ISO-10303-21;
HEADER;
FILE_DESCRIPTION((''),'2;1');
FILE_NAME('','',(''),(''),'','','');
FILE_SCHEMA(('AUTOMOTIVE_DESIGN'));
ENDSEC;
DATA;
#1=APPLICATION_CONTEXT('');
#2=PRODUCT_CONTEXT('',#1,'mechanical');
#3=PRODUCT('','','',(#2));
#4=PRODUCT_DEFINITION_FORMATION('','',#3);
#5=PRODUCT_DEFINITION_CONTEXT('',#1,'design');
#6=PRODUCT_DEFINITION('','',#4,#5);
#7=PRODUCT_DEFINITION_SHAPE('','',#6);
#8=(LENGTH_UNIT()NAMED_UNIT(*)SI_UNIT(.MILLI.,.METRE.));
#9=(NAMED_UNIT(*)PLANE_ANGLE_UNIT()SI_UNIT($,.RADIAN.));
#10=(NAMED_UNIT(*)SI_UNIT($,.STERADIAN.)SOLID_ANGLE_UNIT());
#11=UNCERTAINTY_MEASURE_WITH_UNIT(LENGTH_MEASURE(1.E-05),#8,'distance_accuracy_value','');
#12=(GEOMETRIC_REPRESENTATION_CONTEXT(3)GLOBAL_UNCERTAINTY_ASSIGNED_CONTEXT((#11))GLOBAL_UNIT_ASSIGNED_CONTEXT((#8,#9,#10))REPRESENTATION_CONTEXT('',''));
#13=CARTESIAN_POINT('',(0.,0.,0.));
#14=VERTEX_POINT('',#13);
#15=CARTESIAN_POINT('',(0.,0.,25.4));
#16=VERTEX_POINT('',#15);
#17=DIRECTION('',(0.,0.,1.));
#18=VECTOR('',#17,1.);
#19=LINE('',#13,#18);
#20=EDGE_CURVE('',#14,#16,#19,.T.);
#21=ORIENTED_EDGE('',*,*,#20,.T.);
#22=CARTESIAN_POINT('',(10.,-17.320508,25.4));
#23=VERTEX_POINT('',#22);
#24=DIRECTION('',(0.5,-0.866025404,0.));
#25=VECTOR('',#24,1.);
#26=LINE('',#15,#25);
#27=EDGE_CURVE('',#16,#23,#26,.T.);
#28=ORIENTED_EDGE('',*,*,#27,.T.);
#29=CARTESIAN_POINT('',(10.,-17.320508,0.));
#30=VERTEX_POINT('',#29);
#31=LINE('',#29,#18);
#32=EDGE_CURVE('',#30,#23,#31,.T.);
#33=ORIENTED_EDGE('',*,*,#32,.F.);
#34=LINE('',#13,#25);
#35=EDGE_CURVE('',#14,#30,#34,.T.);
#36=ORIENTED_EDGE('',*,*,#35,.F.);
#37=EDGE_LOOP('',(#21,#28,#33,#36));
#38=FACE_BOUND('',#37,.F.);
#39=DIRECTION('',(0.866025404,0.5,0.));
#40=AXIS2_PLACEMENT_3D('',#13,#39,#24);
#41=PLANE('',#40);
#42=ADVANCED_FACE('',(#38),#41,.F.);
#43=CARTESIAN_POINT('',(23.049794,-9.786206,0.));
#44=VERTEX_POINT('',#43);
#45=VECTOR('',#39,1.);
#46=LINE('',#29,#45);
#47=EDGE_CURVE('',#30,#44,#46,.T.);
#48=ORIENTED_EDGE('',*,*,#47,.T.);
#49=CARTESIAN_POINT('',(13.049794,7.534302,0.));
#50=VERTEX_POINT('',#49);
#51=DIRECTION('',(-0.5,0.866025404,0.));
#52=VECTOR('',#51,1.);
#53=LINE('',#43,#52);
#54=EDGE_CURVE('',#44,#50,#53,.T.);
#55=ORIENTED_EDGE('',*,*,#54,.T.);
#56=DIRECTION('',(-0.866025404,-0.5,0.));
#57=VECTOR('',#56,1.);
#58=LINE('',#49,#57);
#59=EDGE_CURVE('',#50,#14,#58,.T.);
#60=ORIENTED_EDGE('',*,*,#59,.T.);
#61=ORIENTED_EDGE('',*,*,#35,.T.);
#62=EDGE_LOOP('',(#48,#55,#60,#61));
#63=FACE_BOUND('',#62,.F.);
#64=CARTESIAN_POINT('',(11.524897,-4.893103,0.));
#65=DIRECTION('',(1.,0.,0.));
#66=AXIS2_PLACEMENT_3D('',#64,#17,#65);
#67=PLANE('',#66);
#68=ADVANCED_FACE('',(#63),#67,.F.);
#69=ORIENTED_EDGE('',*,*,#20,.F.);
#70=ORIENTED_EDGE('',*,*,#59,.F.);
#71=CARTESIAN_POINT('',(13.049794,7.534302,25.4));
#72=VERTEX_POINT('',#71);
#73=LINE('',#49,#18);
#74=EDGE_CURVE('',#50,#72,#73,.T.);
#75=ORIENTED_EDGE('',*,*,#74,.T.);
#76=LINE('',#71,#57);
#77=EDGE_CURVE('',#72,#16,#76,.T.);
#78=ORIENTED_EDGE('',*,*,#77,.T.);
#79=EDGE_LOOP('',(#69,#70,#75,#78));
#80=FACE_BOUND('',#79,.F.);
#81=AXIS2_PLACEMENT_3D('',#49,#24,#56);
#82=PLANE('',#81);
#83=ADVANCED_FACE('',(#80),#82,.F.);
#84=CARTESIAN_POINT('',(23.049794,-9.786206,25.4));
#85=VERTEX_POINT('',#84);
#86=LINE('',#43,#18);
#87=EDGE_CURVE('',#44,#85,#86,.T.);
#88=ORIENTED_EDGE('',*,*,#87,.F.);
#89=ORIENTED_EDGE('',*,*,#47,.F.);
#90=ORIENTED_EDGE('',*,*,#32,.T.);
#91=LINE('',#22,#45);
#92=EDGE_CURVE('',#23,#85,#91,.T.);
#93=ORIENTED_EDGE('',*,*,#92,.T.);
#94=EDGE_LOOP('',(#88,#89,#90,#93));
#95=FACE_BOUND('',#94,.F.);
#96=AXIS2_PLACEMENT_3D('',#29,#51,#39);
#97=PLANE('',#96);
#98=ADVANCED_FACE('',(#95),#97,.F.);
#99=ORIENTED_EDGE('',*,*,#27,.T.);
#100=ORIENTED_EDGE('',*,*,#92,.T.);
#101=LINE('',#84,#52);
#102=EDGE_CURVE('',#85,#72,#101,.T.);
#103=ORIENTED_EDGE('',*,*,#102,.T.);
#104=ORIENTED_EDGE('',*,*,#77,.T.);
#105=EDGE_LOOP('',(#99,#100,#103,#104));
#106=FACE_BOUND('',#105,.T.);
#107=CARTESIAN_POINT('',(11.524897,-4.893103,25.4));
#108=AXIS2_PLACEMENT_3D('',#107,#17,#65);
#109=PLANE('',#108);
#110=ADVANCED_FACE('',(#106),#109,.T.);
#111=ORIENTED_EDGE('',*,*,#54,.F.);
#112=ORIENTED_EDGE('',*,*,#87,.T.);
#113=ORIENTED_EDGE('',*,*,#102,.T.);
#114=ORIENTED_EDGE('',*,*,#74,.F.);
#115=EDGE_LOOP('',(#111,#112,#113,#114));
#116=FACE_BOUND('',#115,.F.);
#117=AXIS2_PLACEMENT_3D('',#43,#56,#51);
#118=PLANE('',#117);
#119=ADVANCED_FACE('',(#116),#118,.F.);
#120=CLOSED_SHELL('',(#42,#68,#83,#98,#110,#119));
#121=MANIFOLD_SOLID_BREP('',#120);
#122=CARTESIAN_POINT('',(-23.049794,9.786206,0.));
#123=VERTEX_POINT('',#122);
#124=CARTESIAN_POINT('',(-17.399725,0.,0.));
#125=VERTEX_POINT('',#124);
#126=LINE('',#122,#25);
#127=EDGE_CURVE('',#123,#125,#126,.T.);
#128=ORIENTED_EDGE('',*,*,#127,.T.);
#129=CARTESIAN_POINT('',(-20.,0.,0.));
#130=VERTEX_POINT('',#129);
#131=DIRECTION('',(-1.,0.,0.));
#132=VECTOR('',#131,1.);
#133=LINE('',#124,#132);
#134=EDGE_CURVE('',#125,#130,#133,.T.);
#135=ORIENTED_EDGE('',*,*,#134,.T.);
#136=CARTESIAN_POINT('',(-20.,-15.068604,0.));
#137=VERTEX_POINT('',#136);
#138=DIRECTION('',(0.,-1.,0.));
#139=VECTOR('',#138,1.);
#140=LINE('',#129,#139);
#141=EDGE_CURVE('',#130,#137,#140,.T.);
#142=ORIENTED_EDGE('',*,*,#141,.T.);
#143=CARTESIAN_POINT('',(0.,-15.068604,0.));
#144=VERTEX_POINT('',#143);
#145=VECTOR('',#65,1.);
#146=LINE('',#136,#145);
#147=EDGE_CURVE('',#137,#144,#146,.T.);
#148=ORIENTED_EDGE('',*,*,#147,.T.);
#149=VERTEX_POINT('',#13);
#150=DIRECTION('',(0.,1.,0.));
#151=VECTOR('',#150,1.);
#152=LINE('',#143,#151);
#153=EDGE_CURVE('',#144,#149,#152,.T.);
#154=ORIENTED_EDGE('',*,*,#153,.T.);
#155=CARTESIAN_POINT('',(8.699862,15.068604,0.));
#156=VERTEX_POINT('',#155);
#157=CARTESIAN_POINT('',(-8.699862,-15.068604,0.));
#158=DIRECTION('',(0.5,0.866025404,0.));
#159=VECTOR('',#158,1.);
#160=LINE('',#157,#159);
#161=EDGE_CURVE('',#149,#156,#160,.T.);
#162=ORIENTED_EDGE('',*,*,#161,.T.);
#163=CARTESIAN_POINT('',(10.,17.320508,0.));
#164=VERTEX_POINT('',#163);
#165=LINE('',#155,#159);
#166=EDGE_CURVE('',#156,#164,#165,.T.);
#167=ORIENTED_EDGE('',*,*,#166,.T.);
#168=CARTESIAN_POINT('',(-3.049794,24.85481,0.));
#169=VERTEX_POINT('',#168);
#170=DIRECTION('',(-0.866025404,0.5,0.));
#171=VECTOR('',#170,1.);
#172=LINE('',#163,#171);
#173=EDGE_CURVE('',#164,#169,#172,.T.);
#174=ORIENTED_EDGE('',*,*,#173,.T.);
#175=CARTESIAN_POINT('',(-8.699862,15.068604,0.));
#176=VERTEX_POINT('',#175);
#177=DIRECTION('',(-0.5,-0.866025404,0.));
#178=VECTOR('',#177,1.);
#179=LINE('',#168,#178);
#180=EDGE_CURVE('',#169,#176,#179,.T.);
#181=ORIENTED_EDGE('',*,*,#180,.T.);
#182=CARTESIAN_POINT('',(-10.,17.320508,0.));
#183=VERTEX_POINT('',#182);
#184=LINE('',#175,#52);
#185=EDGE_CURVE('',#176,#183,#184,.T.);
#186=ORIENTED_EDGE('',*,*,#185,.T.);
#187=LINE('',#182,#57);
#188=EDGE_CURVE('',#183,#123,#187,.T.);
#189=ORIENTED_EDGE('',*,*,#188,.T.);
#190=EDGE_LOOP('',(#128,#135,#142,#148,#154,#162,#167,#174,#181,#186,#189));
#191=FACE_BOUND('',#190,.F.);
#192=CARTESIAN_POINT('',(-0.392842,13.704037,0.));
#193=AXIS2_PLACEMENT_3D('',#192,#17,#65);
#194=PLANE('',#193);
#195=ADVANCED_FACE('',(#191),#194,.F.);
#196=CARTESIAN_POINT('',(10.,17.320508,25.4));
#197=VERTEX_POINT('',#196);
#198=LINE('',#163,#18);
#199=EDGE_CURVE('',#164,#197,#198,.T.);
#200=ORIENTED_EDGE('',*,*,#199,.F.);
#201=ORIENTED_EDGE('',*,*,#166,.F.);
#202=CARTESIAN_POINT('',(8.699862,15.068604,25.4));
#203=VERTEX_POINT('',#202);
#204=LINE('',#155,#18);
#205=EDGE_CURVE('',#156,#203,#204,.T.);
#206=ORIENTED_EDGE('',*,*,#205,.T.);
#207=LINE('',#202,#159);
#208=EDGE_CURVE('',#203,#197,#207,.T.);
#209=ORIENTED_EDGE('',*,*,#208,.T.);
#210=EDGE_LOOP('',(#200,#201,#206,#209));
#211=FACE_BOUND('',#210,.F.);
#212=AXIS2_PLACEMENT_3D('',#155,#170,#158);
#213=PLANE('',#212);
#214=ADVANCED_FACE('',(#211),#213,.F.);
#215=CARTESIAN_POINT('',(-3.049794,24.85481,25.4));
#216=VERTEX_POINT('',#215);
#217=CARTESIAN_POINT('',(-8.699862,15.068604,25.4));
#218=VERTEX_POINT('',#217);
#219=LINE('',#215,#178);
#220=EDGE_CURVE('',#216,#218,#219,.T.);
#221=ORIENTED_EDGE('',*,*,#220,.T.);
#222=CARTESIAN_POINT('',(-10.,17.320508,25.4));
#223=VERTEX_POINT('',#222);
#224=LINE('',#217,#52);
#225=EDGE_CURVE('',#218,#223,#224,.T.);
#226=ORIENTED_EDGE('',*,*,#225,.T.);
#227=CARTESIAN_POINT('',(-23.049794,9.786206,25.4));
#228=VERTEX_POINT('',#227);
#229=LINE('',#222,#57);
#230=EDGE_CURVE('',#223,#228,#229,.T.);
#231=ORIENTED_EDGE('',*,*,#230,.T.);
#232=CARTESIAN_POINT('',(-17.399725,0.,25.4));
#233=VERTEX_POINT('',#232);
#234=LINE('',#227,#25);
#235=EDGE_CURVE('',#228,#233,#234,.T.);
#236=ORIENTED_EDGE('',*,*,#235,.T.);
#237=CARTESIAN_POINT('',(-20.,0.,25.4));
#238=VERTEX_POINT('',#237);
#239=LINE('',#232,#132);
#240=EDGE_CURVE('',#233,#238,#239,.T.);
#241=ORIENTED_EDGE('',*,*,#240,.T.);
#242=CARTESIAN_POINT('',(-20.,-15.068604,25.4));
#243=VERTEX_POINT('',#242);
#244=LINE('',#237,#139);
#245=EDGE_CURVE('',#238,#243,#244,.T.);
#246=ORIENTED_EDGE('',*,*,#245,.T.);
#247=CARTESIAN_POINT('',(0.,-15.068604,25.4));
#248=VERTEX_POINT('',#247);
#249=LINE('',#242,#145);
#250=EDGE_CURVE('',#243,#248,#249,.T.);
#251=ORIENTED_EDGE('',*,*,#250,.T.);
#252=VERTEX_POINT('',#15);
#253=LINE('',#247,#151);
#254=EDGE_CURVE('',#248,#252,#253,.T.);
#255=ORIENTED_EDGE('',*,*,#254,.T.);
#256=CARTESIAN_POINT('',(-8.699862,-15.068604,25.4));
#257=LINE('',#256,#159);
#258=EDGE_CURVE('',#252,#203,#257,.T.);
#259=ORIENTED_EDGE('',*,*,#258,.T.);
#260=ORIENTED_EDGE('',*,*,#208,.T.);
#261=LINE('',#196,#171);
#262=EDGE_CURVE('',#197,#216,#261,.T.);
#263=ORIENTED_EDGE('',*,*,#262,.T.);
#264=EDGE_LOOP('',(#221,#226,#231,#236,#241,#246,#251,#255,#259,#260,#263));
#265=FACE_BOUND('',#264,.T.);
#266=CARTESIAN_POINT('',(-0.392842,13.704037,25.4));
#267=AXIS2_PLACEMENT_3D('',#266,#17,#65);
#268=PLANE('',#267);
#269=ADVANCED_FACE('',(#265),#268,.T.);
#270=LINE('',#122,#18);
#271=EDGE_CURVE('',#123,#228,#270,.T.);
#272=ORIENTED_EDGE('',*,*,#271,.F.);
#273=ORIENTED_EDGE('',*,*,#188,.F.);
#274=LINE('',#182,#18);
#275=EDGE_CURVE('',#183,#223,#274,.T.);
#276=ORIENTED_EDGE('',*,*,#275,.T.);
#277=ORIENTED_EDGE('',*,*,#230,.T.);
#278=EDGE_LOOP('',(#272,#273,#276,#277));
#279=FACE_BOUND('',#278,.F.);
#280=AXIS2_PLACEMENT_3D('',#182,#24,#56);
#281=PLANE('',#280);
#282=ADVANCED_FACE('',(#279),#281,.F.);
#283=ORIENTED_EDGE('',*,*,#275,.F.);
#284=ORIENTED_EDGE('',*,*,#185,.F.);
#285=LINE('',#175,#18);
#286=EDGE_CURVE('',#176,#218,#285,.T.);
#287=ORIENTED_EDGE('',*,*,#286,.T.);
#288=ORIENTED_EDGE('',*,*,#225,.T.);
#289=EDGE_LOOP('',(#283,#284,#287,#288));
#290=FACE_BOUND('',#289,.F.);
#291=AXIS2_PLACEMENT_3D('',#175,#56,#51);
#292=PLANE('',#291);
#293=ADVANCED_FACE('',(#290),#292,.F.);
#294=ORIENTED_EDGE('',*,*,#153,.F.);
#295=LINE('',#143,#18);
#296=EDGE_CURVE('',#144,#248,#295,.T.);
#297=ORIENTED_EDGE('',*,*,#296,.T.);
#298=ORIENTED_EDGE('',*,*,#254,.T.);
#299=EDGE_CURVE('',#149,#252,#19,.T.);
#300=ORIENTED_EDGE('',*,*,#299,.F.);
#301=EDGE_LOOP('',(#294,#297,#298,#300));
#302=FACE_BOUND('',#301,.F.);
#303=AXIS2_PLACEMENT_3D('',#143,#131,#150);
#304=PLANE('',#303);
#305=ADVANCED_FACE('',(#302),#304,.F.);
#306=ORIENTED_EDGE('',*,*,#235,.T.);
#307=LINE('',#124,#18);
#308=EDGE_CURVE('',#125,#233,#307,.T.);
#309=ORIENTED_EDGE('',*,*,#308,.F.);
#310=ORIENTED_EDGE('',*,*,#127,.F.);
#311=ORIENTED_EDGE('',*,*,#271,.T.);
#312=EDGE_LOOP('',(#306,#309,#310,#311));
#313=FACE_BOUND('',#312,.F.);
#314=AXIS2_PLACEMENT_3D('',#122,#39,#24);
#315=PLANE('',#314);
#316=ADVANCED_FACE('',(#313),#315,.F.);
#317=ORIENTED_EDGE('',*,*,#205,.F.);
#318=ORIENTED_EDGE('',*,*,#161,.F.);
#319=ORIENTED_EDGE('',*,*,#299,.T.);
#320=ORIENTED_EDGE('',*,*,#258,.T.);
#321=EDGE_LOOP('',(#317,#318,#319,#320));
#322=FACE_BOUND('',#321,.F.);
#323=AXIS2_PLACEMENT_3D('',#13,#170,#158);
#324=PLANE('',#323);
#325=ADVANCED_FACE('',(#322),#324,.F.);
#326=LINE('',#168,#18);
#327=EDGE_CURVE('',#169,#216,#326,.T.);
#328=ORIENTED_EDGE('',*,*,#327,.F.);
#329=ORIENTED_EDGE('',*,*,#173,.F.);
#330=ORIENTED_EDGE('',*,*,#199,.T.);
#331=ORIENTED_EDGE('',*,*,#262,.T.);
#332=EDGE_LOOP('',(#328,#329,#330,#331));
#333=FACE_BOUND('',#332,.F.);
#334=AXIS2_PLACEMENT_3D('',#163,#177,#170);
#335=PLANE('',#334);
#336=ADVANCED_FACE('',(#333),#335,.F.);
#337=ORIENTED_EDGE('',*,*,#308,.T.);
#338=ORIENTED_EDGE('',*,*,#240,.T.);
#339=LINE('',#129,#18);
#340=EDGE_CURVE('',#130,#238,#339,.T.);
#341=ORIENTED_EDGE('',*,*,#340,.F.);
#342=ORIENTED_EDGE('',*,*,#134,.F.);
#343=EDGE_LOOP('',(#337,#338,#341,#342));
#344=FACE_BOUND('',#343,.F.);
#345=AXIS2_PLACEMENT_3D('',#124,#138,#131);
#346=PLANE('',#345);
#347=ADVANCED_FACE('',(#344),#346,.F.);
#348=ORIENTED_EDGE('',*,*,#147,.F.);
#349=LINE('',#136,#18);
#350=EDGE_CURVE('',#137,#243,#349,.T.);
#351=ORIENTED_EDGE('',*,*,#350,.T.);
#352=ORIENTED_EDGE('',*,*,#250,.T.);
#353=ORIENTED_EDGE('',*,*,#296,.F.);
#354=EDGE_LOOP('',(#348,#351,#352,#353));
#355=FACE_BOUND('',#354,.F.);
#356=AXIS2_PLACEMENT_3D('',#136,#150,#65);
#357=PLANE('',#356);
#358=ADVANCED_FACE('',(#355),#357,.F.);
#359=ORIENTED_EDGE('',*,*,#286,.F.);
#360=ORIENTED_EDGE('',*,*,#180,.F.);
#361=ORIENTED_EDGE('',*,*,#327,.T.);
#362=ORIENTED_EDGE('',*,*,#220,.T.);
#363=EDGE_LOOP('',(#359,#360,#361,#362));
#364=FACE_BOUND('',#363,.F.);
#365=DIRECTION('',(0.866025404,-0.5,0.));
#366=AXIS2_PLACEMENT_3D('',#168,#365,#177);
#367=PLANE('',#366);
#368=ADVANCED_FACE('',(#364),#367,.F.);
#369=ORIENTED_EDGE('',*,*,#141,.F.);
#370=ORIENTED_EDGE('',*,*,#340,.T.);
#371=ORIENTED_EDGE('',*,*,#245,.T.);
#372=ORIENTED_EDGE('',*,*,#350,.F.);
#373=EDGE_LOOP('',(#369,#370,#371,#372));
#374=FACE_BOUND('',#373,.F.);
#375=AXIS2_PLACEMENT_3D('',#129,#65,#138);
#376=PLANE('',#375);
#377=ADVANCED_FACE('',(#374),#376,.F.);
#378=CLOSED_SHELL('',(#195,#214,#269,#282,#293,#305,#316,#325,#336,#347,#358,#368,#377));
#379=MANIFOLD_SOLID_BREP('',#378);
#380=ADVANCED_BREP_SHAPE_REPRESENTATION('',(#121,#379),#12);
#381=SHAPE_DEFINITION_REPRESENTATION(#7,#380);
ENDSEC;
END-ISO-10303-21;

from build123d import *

# Parameters (mm, degrees)
F1_DEPTH = 25.4


with BuildPart() as f1:
    # F0 (on Top) → F1 (new body)
    with BuildSketch(Plane.XY):
        Polygon((0, 0), (0, 15.0686036795), (8.6998623907, 15.0686036795), (10, 17.3205080757), (-3.049793586, 24.8548099155), (-8.6998623907, 15.0686036795), align=None)
        Polygon((8.6998623907, 15.0686036795), (0, 15.0686036795), (0, 0), align=None)
        Polygon((-17.3997247814, 0), (0, 0), (-13.049793586, 7.5343018398), (-8.6998623907, 15.0686036795), (-10, 17.3205080757), (-23.049793586, 9.7862062359), align=None)
        Polygon((-8.6998623907, -15.0686036795), (0, 0), (-13.049793586, -7.5343018398), (-17.3997247814, 0), (-20, 0), (-20, -15.0686036795), align=None)
        Polygon((-13.049793586, 7.5343018398), (0, 0), (-8.6998623907, 15.0686036795), align=None)
        Polygon((-13.049793586, -7.5343018398), (0, 0), (-17.3997247814, 0), align=None)
        Polygon((0, -15.0686036795), (0, 0), (-8.6998623907, -15.0686036795), align=None)
    extrude(amount=F1_DEPTH)


with BuildPart() as f1b:
    # F0 (on Top) → F1, piece 2 (new body)
    with BuildSketch(Plane.XY):
        Polygon((13.049793586, 7.5343018398), (0, 0), (10, -17.3205080757), (23.049793586, -9.7862062359), align=None)
    extrude(amount=F1_DEPTH)


solid = Compound([f1.part, f1b.part])
